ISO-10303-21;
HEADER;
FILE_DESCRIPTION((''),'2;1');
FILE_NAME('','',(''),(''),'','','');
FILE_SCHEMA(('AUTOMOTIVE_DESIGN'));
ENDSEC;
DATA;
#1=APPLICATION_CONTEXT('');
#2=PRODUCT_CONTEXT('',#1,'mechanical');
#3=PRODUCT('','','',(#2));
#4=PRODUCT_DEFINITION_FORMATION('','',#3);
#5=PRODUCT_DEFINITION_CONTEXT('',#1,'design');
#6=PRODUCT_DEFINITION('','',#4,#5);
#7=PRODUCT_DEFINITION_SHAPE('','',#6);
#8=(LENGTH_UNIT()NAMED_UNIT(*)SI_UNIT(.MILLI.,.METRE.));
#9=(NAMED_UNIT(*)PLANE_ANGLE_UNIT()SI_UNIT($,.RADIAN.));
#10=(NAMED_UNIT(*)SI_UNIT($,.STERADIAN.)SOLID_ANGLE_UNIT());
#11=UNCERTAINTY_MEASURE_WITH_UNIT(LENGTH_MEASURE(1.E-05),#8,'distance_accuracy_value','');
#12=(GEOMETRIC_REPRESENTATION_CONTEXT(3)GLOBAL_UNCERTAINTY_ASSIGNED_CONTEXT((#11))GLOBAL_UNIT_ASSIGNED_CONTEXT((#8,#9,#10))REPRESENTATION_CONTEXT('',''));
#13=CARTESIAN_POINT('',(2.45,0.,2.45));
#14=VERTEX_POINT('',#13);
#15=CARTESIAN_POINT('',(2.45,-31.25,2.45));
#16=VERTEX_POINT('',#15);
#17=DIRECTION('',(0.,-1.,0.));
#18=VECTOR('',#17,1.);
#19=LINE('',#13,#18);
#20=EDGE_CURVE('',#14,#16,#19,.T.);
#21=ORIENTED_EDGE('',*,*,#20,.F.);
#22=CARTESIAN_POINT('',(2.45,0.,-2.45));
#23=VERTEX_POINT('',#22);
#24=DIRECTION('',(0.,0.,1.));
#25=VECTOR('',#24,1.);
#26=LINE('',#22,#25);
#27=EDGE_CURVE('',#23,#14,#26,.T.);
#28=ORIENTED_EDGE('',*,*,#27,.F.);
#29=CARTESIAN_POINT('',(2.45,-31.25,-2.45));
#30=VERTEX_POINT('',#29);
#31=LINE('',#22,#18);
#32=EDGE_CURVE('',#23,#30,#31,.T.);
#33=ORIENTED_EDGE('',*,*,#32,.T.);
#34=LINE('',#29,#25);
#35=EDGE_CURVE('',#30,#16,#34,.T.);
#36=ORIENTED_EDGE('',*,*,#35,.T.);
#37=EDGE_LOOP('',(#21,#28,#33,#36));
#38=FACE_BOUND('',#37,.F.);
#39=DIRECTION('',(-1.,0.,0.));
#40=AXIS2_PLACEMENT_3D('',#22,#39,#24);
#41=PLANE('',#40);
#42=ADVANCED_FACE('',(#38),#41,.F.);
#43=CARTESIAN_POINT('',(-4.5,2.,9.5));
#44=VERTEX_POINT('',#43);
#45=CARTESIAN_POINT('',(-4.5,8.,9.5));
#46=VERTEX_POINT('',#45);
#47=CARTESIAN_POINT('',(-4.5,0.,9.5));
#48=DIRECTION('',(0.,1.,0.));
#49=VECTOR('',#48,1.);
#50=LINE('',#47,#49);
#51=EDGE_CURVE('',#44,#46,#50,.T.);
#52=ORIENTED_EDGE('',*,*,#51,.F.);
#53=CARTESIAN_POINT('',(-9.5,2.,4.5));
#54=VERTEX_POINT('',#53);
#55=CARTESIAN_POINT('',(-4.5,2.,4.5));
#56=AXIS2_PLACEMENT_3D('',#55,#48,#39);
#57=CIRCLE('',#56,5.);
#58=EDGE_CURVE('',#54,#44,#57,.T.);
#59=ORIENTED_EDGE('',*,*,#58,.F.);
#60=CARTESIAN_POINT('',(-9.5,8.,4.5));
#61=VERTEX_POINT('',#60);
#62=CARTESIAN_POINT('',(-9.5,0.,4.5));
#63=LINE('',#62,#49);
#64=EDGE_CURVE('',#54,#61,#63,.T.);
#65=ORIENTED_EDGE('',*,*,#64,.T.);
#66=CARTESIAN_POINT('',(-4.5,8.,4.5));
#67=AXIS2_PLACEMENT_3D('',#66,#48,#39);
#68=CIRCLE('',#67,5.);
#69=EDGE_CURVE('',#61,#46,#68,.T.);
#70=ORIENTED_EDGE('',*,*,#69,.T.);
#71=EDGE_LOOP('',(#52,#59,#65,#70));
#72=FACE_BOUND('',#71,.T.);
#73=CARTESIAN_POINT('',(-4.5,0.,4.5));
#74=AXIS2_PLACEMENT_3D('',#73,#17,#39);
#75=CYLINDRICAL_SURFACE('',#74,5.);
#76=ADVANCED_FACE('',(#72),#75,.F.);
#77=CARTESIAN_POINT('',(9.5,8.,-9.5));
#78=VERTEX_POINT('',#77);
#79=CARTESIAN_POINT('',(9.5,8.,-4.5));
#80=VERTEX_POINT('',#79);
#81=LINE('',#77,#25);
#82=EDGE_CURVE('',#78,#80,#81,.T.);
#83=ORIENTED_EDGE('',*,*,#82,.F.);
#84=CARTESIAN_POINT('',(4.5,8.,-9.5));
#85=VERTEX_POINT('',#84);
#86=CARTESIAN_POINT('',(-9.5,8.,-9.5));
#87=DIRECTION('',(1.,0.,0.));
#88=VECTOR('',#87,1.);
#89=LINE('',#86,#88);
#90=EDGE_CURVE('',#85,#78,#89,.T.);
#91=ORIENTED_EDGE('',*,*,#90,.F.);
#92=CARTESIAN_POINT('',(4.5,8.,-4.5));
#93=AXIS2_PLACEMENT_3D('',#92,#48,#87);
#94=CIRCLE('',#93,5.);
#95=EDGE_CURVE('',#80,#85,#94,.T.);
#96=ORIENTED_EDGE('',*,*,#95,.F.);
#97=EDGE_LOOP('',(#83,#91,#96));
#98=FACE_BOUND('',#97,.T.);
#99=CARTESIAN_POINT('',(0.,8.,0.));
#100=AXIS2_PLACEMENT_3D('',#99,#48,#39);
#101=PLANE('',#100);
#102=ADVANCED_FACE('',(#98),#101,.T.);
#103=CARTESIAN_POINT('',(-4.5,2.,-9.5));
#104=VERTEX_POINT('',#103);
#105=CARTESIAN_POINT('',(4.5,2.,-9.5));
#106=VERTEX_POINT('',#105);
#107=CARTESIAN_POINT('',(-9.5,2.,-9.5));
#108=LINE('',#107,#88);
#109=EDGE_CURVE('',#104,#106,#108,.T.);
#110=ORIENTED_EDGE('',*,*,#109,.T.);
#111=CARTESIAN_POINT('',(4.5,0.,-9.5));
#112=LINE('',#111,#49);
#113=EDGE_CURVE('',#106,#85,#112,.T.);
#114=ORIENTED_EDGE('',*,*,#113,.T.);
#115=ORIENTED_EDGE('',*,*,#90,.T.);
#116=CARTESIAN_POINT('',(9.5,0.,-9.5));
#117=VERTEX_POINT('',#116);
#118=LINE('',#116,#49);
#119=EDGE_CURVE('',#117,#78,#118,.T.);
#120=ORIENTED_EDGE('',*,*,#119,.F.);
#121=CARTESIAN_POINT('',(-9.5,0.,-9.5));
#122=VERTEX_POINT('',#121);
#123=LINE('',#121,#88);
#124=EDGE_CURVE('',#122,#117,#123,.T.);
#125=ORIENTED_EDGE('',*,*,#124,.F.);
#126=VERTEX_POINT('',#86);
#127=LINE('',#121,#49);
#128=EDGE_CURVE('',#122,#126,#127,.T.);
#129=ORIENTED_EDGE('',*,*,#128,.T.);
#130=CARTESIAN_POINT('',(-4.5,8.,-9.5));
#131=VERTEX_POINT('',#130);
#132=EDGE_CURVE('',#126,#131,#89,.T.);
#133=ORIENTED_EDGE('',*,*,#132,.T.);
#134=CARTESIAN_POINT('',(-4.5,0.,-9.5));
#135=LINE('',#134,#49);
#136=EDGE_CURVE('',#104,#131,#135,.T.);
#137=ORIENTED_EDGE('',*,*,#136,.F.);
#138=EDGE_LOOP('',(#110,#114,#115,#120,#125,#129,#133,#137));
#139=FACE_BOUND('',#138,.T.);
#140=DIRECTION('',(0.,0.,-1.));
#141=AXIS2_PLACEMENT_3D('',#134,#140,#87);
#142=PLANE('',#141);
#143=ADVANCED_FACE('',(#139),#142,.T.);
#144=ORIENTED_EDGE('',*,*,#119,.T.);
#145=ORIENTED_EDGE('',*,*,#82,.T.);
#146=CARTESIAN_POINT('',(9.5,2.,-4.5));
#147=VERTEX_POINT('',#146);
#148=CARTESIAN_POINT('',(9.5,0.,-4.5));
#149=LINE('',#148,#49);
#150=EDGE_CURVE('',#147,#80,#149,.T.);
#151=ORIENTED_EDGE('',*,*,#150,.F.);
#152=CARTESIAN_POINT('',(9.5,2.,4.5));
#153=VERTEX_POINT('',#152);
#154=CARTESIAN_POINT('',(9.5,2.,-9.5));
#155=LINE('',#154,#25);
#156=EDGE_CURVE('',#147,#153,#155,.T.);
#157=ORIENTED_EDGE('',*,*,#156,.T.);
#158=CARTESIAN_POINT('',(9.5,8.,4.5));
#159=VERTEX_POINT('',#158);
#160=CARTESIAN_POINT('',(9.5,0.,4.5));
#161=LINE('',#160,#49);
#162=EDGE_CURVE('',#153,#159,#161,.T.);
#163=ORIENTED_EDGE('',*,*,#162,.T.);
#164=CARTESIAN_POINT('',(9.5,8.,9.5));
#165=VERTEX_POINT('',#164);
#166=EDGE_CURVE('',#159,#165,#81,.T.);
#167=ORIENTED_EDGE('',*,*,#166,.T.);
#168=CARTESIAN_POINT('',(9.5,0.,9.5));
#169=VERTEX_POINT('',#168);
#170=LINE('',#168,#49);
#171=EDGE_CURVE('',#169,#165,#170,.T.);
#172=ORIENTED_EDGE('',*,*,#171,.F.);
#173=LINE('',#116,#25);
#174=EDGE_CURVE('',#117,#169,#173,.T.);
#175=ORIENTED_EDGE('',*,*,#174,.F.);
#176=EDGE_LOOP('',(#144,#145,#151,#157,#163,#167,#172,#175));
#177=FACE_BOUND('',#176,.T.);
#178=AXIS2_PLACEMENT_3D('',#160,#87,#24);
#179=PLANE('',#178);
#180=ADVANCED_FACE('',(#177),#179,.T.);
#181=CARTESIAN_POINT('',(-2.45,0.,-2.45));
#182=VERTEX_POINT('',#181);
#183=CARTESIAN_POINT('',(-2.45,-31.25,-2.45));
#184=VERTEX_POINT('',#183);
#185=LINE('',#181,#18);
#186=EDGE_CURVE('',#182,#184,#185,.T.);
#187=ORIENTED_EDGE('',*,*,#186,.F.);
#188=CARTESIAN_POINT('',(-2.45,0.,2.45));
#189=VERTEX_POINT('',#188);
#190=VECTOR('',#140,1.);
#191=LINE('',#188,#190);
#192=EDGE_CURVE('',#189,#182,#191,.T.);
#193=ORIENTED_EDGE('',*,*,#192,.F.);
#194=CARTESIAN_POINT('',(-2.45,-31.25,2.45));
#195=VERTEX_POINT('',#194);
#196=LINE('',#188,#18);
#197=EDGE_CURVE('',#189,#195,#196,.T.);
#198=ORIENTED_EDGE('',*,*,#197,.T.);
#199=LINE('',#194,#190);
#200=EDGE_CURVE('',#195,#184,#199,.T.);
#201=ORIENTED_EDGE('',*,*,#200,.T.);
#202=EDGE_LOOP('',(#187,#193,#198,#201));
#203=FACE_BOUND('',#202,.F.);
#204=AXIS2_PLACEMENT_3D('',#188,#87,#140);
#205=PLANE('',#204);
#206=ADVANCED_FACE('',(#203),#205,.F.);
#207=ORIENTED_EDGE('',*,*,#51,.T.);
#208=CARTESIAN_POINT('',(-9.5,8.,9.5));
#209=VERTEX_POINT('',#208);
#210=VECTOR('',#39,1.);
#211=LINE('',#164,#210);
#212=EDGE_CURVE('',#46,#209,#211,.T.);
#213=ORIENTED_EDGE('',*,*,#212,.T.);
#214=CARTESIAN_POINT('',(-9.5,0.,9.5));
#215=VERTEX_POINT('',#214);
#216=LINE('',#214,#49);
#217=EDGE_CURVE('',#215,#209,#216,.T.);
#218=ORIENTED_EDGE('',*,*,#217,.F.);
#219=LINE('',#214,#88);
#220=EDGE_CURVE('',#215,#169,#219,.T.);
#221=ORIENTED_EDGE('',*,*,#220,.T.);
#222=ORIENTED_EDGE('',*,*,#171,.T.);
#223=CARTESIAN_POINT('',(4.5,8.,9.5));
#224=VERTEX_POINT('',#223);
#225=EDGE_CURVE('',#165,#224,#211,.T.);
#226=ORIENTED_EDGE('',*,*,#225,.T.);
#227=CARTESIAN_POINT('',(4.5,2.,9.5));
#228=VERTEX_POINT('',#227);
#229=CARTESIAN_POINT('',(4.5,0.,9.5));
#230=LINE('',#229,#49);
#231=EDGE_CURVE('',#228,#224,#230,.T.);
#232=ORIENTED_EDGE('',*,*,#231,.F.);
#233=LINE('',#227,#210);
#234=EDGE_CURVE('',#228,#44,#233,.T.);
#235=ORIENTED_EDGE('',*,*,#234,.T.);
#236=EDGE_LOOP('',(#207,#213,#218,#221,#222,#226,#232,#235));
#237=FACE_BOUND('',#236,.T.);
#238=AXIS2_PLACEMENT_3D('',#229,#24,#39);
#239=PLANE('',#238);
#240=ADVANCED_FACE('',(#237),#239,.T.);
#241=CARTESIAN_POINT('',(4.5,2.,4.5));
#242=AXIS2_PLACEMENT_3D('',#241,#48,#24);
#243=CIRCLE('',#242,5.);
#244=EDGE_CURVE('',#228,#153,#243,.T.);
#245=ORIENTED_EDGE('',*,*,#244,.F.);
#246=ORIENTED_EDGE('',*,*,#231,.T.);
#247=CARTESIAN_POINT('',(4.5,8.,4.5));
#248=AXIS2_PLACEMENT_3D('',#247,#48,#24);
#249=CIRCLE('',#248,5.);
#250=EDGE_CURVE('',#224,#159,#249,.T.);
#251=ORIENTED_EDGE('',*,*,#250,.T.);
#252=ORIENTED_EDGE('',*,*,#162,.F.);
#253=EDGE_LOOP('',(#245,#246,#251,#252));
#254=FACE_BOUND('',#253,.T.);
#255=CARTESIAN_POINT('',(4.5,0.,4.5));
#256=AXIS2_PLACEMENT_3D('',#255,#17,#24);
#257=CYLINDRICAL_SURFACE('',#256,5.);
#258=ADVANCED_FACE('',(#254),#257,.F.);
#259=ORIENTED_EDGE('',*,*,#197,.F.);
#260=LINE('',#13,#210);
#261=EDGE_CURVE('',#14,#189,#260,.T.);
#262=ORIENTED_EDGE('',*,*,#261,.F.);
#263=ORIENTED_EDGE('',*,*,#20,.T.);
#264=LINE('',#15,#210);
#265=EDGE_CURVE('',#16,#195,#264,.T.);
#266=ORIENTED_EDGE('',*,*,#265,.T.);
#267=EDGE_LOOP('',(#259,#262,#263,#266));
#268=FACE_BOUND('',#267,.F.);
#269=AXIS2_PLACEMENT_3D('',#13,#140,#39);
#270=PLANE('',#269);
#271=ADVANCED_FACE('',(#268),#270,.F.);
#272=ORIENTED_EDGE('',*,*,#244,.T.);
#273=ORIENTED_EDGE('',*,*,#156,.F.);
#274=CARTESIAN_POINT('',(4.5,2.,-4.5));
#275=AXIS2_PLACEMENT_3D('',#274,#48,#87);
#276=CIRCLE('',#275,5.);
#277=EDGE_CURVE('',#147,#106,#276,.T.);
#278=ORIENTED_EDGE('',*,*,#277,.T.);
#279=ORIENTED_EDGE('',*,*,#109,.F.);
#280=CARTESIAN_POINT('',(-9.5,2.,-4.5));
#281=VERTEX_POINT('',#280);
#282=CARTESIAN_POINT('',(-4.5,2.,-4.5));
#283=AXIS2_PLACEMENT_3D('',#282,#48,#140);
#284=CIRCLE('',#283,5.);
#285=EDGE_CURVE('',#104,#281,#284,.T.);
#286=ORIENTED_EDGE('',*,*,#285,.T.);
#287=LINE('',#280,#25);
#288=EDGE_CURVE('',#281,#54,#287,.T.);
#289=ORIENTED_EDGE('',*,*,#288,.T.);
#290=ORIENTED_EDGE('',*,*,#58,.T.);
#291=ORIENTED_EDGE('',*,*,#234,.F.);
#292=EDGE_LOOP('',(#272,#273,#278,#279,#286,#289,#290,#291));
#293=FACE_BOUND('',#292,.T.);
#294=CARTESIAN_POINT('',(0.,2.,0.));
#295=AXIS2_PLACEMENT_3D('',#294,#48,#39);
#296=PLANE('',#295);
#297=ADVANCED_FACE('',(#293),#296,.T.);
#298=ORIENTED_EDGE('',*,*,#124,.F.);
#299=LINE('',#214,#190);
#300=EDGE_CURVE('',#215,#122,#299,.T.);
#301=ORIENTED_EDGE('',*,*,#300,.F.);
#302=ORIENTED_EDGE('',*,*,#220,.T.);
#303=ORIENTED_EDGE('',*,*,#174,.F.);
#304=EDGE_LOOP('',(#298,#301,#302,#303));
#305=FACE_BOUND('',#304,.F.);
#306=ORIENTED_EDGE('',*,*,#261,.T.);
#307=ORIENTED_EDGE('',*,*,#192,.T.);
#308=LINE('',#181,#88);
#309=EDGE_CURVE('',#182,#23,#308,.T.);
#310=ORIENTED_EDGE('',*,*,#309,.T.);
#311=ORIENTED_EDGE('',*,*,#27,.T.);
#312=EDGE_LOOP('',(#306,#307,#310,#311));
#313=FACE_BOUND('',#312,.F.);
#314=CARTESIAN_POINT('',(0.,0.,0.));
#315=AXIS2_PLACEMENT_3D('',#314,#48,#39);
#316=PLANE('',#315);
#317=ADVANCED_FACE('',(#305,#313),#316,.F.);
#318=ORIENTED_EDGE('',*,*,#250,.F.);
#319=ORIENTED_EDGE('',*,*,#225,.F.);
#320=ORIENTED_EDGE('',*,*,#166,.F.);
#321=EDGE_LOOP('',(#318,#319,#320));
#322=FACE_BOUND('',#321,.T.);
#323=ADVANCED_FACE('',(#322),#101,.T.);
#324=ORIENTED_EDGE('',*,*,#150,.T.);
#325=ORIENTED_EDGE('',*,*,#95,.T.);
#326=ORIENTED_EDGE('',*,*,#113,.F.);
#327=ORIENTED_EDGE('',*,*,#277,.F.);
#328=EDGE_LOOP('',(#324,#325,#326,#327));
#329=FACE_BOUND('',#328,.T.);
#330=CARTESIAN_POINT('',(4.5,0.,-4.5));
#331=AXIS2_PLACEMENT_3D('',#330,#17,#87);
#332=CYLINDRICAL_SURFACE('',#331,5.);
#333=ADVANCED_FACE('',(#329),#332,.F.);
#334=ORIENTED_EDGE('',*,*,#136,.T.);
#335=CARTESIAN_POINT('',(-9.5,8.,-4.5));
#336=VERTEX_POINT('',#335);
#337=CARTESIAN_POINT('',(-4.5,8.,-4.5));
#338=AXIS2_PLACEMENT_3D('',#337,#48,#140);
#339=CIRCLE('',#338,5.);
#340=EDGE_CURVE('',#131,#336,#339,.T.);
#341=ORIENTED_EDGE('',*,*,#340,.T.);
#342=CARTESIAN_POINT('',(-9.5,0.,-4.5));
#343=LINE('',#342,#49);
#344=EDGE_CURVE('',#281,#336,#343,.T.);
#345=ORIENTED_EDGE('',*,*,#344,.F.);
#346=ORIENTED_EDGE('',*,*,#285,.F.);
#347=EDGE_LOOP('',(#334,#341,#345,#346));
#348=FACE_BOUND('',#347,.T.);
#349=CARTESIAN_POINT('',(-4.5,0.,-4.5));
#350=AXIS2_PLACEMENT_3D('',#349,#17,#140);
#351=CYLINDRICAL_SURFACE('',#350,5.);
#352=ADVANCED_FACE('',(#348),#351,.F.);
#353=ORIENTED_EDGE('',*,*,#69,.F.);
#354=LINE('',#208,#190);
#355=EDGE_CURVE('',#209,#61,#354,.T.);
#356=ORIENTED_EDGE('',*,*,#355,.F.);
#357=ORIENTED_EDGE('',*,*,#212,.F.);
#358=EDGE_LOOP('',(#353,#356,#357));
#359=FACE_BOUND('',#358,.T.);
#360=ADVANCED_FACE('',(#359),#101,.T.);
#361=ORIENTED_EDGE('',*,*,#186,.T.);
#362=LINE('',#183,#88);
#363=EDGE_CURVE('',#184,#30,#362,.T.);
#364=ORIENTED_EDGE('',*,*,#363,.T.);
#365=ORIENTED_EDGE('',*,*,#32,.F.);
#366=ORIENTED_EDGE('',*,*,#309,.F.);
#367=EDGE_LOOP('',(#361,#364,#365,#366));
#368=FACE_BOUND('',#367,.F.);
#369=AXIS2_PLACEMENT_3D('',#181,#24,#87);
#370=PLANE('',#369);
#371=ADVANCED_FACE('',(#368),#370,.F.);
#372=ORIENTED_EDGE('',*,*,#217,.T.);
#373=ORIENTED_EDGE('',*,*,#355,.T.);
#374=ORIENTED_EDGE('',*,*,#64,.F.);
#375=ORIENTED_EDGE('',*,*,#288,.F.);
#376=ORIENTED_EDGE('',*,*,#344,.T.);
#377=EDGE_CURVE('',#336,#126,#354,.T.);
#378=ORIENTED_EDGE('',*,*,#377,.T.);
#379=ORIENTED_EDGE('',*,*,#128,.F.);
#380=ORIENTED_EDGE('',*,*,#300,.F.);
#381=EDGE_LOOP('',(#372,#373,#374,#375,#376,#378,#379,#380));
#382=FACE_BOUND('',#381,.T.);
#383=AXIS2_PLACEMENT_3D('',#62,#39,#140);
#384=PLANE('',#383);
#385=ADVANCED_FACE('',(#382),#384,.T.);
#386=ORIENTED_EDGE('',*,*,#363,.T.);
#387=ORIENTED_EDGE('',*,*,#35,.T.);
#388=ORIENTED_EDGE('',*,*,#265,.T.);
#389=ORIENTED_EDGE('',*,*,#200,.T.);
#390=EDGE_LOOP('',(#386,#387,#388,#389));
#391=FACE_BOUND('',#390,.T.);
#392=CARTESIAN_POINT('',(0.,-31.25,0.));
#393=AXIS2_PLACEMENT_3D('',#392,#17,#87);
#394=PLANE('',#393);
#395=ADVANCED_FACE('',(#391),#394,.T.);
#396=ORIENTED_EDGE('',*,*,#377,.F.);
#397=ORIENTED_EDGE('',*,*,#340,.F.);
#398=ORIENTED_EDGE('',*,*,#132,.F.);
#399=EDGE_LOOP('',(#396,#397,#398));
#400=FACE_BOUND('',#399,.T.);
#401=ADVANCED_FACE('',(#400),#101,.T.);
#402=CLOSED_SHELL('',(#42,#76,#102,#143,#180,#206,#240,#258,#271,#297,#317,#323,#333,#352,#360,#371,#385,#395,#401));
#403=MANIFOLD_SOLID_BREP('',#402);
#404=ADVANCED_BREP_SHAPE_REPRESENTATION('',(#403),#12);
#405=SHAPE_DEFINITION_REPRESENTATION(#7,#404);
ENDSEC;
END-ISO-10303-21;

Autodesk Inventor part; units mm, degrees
ref_plane "YZ Plane" through (0, 0, 0) normal (1, 0, 0) x (0, 1, 0)
ref_plane "XZ Plane" through (0, 0, 0) normal (0, 1, 0) x (-1, 0, 0)
ref_plane "XY Plane" through (0, 0, 0) normal (0, 0, 1) x (1, 0, 0)
sketch "Sketch1" plane through (0, 0, 0) normal (0, 1, 0) x (-1, 0, 0)
  line L0 (-9.5, 9.5) -> (9.5, 9.5)
  line L1 (9.5, 9.5) -> (9.5, -9.5)
  line L2 (9.5, -9.5) -> (-9.5, -9.5)
  line L3 (-9.5, -9.5) -> (-9.5, 9.5)
  line L4 (-9.5, 9.5) -> (9.5, -9.5) construction
  line L5 (9.5, 9.5) -> (-9.5, -9.5) construction
  line L6 (9.5, 0) -> (9.5, 4.5)
  line L7 (9.5, 0) -> (14, 0) construction
  line L8 (0, 9.5) -> (4.5, 9.5)
  line L9 (0, 9.5) -> (4.5, 9.5) construction
  arc A0 (9.5, 4.5) -> (4.5, 9.5) centre (4.5, 4.5) ccw
  arc A1 (-4.5, 9.5) -> (-9.5, 4.5) centre (-4.5, 4.5) ccw
  arc A2 (-9.5, -4.5) -> (-4.5, -9.5) centre (-4.5, -4.5) ccw
  arc A3 (4.5, -9.5) -> (9.5, -4.5) centre (4.5, -4.5) ccw
  point P0 (0, 0)
  point P1 (9.5, -4.5)
  point P2 (-4.5, 9.5)
  point P3 (-9.5, 4.5)
  point P4 (-9.5, -4.5)
  point P5 (-4.5, -9.5)
  dimension "d0" = 19
  dimension "d1" = 19
  dimension "d2" = 4.5
  dimension "d3" = 90
  dimension "d4" = 4.5
  dimension "d5" = 0
  dimension "d6" = 5
  dimension "d9" = 360
extrude "Extrusion1" add sketch "Sketch1" along normal blind 2 contours L0 A0 L1 A3 L2 A2 L3 A1
extrude "Extrusion2" add sketch "Sketch1" along normal blind 8 contours L0 A1 L3 | A2 L2 L3 | L0 L1 A0 | A3 L1 L2
sketch "Sketch2" plane through (0, 0, 0) normal (0, -1, 0) x (1, 0, 0)
  line L0 (-2.45, 2.45) -> (-2.45, -2.45)
  line L1 (-2.45, -2.45) -> (2.45, -2.45)
  line L2 (2.45, -2.45) -> (2.45, 2.45)
  line L3 (2.45, 2.45) -> (-2.45, 2.45)
  line L4 (-2.45, 2.45) -> (2.45, -2.45) construction
  line L5 (-2.45, -2.45) -> (2.45, 2.45) construction
  line L6 (-2.45, 2.45) -> (2.45, 2.45) construction
  point P0 (0, 0)
  dimension "d22" = 4.9
  dimension "d23" = 90
  dimension "d24" = 4.9
extrude "Extrusion3" add sketch "Sketch2" along normal blind 31.25
properties part number "CenterClawv2.2"
